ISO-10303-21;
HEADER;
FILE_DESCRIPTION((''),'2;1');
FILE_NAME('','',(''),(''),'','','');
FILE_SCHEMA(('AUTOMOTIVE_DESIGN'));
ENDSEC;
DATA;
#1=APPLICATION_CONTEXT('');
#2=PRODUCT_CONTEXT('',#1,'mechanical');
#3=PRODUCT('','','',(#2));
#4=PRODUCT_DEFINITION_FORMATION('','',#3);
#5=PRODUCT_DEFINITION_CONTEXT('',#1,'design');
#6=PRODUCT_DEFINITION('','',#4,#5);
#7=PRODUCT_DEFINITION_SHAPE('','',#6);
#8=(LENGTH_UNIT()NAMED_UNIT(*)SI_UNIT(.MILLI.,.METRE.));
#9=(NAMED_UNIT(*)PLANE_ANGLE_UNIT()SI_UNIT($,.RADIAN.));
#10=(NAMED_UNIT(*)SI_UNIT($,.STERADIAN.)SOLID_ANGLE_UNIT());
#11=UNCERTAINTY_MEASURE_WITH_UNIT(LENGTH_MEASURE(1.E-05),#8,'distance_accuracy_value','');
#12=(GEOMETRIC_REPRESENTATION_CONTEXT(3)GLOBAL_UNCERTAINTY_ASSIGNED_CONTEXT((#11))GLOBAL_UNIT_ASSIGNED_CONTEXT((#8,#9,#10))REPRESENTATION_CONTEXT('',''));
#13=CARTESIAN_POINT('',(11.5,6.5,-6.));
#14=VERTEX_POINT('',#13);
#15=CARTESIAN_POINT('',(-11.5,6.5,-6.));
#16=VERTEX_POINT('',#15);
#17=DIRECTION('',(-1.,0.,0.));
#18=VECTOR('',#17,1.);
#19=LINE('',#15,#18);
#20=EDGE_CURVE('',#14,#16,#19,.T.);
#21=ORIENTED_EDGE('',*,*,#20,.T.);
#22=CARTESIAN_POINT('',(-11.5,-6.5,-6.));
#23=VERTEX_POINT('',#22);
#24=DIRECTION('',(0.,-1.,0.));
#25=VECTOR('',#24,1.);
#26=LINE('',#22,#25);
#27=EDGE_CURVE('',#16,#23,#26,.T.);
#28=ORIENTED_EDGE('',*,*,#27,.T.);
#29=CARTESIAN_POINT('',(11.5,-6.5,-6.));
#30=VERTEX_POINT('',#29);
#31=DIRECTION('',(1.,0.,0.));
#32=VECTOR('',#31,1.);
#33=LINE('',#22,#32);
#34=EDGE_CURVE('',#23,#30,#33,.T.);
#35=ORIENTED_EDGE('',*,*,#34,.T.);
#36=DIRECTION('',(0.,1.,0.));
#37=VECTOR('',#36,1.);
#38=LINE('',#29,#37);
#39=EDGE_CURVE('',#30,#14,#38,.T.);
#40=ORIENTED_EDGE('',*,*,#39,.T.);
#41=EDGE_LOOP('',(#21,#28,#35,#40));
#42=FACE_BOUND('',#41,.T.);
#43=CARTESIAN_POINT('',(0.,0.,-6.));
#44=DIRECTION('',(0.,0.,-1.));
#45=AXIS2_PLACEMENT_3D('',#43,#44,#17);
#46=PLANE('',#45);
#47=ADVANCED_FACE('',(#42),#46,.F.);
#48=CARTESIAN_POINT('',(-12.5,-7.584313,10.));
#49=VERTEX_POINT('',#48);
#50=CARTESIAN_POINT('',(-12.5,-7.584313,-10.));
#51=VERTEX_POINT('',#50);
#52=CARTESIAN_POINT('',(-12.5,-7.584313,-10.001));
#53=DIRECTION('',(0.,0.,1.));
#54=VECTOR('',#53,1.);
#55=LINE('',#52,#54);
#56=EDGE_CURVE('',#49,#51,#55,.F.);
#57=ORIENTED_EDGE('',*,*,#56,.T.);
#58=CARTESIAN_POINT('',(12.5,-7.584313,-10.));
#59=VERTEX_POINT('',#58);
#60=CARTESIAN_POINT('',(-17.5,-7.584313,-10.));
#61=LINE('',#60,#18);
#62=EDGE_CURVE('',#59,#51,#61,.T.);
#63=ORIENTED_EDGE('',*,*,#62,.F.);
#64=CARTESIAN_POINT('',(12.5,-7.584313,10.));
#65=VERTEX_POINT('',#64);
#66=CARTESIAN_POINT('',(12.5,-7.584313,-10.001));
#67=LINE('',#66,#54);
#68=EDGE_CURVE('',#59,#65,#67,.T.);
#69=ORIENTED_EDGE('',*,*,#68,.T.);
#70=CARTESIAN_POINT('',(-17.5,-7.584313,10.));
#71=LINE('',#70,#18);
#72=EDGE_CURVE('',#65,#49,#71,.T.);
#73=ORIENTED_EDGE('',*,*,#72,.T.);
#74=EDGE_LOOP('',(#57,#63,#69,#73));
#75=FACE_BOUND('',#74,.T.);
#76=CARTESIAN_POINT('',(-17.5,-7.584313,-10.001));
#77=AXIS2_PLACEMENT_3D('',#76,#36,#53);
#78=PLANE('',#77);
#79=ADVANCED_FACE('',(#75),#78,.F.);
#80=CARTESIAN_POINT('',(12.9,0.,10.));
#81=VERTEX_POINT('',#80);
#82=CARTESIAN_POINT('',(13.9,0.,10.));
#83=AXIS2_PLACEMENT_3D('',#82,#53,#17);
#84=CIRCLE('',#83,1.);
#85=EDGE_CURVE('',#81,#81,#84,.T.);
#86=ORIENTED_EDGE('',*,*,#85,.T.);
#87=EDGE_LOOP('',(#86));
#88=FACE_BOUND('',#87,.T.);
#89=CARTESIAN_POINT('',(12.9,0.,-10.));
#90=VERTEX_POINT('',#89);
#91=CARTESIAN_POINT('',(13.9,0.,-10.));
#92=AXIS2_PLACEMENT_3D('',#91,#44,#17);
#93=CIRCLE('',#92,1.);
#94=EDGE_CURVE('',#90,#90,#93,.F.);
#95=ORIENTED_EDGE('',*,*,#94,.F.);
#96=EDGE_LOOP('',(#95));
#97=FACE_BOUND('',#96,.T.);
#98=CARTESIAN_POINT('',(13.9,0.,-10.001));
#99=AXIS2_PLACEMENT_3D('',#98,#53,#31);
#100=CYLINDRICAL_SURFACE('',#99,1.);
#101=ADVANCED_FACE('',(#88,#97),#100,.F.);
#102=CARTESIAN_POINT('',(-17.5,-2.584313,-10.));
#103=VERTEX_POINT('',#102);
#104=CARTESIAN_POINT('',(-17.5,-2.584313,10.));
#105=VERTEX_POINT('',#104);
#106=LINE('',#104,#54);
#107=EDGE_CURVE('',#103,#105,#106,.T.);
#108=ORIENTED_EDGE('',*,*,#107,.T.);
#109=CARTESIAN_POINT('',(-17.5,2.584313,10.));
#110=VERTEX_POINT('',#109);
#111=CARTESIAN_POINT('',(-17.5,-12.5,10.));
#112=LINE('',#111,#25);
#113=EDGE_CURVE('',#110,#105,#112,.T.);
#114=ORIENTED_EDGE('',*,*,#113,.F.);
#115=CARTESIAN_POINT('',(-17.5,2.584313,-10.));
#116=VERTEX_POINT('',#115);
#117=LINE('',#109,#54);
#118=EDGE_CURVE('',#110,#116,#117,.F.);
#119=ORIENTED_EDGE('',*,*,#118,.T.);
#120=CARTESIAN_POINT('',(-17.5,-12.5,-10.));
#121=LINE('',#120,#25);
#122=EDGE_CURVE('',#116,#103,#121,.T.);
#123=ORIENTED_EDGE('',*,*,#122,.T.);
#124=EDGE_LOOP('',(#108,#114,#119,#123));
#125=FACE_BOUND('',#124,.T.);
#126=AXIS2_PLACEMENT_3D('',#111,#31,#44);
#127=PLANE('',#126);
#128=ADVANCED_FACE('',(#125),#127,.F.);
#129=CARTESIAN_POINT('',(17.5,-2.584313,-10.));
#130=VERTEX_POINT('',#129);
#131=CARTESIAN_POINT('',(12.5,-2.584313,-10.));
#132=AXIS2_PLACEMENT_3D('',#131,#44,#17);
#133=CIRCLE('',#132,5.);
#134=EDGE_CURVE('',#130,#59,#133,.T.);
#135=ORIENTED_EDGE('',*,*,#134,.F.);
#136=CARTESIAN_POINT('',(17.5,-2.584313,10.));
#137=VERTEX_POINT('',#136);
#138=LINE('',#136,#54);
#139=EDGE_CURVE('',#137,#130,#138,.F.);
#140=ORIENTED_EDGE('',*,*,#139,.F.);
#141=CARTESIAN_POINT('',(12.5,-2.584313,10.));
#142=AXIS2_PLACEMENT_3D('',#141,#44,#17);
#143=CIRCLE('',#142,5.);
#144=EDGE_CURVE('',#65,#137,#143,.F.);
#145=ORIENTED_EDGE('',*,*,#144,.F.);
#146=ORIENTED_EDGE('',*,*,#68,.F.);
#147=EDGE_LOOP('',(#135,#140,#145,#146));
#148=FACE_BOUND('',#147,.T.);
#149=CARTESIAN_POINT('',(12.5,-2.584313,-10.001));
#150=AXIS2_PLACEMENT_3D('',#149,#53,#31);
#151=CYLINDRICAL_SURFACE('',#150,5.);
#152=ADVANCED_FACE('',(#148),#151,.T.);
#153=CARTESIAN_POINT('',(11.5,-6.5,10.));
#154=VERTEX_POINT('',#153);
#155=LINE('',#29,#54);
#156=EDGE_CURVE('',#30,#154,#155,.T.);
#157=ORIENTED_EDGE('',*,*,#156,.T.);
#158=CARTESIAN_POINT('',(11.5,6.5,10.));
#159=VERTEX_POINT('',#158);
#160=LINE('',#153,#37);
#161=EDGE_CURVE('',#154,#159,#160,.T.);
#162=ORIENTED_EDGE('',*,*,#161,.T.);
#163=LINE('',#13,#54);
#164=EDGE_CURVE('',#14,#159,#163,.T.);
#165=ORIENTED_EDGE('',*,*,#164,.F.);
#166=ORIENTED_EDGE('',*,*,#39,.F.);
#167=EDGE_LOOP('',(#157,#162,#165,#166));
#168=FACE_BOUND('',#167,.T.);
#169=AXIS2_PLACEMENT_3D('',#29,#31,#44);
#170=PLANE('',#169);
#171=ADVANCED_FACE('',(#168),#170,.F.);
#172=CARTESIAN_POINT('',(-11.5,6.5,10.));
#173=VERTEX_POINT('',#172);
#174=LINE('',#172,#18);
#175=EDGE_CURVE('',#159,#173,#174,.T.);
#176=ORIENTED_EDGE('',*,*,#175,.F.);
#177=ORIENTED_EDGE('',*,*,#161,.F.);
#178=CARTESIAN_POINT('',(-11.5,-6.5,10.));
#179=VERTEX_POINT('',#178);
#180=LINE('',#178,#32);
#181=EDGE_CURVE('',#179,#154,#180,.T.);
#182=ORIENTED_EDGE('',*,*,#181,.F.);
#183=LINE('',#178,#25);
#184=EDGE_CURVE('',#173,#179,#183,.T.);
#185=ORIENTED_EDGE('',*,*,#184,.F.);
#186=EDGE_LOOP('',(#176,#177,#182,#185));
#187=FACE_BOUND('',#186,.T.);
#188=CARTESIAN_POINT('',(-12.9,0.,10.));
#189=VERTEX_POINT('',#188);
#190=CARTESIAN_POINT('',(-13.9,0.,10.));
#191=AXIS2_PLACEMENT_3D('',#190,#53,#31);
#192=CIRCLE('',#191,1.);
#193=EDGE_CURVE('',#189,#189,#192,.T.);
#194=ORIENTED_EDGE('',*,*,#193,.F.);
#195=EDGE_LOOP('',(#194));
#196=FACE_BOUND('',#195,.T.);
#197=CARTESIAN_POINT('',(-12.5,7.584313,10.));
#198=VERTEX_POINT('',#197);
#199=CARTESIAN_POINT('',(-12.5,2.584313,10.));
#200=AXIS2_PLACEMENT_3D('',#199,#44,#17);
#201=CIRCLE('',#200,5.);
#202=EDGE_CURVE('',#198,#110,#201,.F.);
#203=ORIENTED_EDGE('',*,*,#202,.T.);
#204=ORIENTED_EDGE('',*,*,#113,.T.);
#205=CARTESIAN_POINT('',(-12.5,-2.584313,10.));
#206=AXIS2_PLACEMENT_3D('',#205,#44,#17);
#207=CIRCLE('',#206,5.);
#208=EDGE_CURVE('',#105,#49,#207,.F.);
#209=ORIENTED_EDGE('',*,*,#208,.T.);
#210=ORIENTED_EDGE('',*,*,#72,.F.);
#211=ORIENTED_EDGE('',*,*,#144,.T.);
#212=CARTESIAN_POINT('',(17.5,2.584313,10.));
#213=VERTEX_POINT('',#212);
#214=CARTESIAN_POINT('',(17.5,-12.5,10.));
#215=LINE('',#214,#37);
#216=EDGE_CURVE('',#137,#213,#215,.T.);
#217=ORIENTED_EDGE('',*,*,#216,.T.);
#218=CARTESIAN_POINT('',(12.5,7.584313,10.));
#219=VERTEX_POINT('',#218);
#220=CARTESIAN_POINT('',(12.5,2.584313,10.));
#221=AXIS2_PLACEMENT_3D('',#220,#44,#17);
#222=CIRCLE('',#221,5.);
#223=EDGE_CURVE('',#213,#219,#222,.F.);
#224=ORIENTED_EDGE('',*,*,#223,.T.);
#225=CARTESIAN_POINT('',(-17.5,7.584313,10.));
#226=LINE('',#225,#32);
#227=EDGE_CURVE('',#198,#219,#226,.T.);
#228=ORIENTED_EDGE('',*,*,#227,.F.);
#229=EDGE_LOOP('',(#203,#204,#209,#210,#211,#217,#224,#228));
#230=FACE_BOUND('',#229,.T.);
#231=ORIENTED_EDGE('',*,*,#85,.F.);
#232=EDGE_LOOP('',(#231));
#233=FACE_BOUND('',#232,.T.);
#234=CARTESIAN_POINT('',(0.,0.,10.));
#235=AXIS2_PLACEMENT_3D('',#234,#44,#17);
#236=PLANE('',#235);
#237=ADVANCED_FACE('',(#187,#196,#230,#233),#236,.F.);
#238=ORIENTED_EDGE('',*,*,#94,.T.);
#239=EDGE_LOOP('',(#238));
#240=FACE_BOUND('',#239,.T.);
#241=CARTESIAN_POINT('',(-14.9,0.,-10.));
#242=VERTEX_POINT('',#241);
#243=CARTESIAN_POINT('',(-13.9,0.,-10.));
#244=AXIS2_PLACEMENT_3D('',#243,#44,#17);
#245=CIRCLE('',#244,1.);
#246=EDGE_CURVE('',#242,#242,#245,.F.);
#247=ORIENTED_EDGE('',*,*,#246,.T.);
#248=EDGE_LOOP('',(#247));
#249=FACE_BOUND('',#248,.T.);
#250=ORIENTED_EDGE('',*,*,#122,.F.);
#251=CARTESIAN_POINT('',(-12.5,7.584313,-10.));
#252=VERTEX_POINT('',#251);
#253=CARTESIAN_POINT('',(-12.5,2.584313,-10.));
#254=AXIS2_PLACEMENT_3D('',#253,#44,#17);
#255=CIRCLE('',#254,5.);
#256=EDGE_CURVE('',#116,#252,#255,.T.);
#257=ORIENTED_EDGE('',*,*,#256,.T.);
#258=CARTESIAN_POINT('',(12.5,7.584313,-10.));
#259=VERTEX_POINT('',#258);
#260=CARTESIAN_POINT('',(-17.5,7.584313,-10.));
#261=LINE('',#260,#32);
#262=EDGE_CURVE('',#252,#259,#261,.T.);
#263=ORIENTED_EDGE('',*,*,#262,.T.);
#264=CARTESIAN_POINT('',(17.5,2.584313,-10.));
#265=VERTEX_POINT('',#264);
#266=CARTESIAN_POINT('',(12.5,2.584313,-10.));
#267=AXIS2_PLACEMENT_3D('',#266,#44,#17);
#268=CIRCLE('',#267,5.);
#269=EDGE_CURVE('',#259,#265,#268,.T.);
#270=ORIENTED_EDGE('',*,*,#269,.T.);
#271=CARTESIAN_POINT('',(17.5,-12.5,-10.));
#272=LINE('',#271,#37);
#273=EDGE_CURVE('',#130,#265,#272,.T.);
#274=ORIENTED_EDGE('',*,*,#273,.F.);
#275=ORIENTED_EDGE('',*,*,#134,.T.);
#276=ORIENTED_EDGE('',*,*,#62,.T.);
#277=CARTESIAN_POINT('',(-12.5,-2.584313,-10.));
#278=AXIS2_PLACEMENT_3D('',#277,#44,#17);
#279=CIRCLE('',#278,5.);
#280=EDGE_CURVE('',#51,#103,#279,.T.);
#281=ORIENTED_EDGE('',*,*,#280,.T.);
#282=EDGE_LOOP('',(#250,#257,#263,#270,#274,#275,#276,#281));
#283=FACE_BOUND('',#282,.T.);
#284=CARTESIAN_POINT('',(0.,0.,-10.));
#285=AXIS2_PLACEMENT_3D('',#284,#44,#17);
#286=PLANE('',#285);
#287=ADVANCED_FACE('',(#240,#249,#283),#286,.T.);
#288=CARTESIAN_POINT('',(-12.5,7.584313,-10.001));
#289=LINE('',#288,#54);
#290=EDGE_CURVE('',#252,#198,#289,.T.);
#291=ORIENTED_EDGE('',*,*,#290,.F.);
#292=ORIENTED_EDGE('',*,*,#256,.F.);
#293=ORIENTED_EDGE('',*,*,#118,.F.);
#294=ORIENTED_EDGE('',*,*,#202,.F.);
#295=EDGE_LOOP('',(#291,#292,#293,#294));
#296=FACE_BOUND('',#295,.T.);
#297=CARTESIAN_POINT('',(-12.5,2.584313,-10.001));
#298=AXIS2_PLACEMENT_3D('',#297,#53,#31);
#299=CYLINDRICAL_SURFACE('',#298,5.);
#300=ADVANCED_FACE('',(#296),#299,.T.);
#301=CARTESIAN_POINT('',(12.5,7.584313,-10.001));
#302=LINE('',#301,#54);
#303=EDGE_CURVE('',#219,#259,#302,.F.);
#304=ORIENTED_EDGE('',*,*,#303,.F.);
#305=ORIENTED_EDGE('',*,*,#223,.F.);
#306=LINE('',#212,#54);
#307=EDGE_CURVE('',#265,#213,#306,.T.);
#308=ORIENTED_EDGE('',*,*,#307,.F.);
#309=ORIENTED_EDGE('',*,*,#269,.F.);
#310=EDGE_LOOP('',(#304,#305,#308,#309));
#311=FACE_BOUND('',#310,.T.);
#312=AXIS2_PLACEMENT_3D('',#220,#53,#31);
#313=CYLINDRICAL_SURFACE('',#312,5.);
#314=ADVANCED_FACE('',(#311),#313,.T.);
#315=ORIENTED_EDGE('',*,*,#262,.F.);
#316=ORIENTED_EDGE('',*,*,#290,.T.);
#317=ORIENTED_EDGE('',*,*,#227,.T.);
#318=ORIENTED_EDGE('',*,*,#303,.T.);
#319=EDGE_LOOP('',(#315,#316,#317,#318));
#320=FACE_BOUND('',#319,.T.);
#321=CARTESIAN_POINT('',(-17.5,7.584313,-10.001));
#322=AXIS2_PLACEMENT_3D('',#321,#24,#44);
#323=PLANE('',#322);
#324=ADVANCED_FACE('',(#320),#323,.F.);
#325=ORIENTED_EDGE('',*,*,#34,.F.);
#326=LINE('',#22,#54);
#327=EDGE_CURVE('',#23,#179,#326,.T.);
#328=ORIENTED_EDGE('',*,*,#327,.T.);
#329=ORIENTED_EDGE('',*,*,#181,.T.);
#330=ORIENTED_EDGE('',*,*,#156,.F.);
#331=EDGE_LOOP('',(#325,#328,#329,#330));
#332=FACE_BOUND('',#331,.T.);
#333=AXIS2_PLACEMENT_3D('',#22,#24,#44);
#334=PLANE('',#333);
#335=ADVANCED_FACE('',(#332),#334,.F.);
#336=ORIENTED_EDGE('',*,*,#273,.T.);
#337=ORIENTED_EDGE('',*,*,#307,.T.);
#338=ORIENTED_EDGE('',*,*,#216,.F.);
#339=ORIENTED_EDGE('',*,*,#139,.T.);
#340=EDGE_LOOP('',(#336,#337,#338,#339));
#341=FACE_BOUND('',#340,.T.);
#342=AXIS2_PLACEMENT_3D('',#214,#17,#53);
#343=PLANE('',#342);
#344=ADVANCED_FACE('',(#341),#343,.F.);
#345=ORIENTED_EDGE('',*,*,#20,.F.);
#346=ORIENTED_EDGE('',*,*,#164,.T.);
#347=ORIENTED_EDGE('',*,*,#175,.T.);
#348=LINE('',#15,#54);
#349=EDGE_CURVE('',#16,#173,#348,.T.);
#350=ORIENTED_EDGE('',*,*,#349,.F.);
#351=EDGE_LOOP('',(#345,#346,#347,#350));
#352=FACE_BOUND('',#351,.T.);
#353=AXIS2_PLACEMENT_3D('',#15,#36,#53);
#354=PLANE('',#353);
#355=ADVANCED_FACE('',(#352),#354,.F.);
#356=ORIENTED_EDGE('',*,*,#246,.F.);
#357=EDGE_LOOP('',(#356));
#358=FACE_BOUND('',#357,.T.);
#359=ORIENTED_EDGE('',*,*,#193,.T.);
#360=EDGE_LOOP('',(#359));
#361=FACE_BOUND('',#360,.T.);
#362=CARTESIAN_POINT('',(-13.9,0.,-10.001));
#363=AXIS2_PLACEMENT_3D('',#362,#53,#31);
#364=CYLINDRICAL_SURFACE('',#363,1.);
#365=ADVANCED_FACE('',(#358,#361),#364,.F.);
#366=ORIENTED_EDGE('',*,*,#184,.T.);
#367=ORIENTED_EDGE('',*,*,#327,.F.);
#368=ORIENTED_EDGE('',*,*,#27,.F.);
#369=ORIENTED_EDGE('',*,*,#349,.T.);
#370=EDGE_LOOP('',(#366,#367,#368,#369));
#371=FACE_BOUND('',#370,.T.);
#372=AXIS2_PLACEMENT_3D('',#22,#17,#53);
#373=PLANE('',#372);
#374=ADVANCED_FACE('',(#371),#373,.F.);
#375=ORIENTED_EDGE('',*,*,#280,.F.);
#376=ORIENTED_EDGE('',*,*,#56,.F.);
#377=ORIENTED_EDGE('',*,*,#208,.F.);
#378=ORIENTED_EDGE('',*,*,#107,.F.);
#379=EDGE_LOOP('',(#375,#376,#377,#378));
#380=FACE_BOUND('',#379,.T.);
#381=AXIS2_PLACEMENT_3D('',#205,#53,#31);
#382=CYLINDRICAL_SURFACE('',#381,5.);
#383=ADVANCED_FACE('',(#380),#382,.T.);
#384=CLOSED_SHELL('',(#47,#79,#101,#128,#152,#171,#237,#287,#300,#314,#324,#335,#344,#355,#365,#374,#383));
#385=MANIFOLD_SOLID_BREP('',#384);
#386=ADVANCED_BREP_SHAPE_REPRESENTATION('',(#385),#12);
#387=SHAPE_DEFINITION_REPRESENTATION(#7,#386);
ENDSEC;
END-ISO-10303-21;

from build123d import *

# Parameters (mm, degrees)
SKETCH1_W           = 35
SKETCH1_H           = 25
BOSS_EXTRUDE1_DEPTH = 10
SKETCH2_W           = 23
SKETCH2_H           = 13
CUT_EXTRUDE1_DEPTH  = 16
CUT_EXTRUDE3_REACH  = 31.368
SKETCH4_W           = 35
SKETCH4_H           = 4.915686931
FILLET2_R           = 5
FILLET3_R           = 5
FILLET4_R           = 5
FILLET5_R           = 5
CUT_EXTRUDE4_REACH  = 29.636
SKETCH3_R           = 1


with BuildPart() as part:
    # Sketch1 → Boss-Extrude1 (new, symmetric)
    with BuildSketch(Plane.XY):
        Rectangle(SKETCH1_W, SKETCH1_H)
    extrude(amount=BOSS_EXTRUDE1_DEPTH, both=True)

    # Sketch2 → Cut-Extrude1 (cut)
    with BuildSketch(Plane.XY.offset(10)):
        Rectangle(SKETCH2_W, SKETCH2_H)
    extrude(amount=-CUT_EXTRUDE1_DEPTH, mode=Mode.SUBTRACT)

    # Sketch4 → Cut-Extrude3 (cut, up to next)
    with BuildSketch(Plane.XY.offset(10), mode=Mode.PRIVATE) as cut_extrude3_sk1:
        with Locations((0, 10.042156535)):
            Rectangle(SKETCH4_W, SKETCH4_H)
    cut_extrude3_tool1 = extrude(cut_extrude3_sk1.sketch, amount=-CUT_EXTRUDE3_REACH, mode=Mode.PRIVATE) & part.part
    # Sketch4 → Cut-Extrude3 (cut, up to next)
    with BuildSketch(Plane.XY.offset(10), mode=Mode.PRIVATE) as cut_extrude3_sk2:
        with Locations((0, -10.042156535)):
            Rectangle(SKETCH4_W, SKETCH4_H)
    cut_extrude3_tool2 = extrude(cut_extrude3_sk2.sketch, amount=-CUT_EXTRUDE3_REACH, mode=Mode.PRIVATE) & part.part
    add(cut_extrude3_tool1.solids().sort_by_distance((0, 10.042157, 10))[0], mode=Mode.SUBTRACT)
    add(cut_extrude3_tool2.solids().sort_by_distance((0, -10.042157, 10))[0], mode=Mode.SUBTRACT)

    # Fillet2
    fillet2_edges = [part.edges().sort_by_distance(p)[0] for p in [
        (17.5, -7.584313069, 0),
    ]]
    fillet(fillet2_edges, radius=FILLET2_R)

    # Fillet3
    fillet3_edges = [part.edges().sort_by_distance(p)[0] for p in [
        (17.5, 7.584313069, 0),
    ]]
    fillet(fillet3_edges, radius=FILLET3_R)

    # Fillet4
    fillet4_edges = [part.edges().sort_by_distance(p)[0] for p in [
        (-17.5, 7.584313069, 0),
    ]]
    fillet(fillet4_edges, radius=FILLET4_R)

    # Fillet5
    fillet5_edges = [part.edges().sort_by_distance(p)[0] for p in [
        (-17.5, -7.584313069, 0),
    ]]
    fillet(fillet5_edges, radius=FILLET5_R)

    # Sketch3 → Cut-Extrude4 (cut, up to next)
    with BuildSketch(Plane.XY.offset(10), mode=Mode.PRIVATE) as cut_extrude4_sk1:
        with Locations((-13.9, 0)):
            Circle(SKETCH3_R)
    cut_extrude4_tool1 = extrude(cut_extrude4_sk1.sketch, amount=-CUT_EXTRUDE4_REACH, mode=Mode.PRIVATE) & part.part
    # Sketch3 → Cut-Extrude4 (cut, up to next)
    with BuildSketch(Plane.XY.offset(10), mode=Mode.PRIVATE) as cut_extrude4_sk2:
        with Locations(Location((13.9, 0, 0), (0, 0, 180))):
            Circle(SKETCH3_R)
    cut_extrude4_tool2 = extrude(cut_extrude4_sk2.sketch, amount=-CUT_EXTRUDE4_REACH, mode=Mode.PRIVATE) & part.part
    add(cut_extrude4_tool1.solids().sort_by_distance((-13.9, 0, 10))[0], mode=Mode.SUBTRACT)
    add(cut_extrude4_tool2.solids().sort_by_distance((13.9, 0, 10))[0], mode=Mode.SUBTRACT)


solid = part.part
